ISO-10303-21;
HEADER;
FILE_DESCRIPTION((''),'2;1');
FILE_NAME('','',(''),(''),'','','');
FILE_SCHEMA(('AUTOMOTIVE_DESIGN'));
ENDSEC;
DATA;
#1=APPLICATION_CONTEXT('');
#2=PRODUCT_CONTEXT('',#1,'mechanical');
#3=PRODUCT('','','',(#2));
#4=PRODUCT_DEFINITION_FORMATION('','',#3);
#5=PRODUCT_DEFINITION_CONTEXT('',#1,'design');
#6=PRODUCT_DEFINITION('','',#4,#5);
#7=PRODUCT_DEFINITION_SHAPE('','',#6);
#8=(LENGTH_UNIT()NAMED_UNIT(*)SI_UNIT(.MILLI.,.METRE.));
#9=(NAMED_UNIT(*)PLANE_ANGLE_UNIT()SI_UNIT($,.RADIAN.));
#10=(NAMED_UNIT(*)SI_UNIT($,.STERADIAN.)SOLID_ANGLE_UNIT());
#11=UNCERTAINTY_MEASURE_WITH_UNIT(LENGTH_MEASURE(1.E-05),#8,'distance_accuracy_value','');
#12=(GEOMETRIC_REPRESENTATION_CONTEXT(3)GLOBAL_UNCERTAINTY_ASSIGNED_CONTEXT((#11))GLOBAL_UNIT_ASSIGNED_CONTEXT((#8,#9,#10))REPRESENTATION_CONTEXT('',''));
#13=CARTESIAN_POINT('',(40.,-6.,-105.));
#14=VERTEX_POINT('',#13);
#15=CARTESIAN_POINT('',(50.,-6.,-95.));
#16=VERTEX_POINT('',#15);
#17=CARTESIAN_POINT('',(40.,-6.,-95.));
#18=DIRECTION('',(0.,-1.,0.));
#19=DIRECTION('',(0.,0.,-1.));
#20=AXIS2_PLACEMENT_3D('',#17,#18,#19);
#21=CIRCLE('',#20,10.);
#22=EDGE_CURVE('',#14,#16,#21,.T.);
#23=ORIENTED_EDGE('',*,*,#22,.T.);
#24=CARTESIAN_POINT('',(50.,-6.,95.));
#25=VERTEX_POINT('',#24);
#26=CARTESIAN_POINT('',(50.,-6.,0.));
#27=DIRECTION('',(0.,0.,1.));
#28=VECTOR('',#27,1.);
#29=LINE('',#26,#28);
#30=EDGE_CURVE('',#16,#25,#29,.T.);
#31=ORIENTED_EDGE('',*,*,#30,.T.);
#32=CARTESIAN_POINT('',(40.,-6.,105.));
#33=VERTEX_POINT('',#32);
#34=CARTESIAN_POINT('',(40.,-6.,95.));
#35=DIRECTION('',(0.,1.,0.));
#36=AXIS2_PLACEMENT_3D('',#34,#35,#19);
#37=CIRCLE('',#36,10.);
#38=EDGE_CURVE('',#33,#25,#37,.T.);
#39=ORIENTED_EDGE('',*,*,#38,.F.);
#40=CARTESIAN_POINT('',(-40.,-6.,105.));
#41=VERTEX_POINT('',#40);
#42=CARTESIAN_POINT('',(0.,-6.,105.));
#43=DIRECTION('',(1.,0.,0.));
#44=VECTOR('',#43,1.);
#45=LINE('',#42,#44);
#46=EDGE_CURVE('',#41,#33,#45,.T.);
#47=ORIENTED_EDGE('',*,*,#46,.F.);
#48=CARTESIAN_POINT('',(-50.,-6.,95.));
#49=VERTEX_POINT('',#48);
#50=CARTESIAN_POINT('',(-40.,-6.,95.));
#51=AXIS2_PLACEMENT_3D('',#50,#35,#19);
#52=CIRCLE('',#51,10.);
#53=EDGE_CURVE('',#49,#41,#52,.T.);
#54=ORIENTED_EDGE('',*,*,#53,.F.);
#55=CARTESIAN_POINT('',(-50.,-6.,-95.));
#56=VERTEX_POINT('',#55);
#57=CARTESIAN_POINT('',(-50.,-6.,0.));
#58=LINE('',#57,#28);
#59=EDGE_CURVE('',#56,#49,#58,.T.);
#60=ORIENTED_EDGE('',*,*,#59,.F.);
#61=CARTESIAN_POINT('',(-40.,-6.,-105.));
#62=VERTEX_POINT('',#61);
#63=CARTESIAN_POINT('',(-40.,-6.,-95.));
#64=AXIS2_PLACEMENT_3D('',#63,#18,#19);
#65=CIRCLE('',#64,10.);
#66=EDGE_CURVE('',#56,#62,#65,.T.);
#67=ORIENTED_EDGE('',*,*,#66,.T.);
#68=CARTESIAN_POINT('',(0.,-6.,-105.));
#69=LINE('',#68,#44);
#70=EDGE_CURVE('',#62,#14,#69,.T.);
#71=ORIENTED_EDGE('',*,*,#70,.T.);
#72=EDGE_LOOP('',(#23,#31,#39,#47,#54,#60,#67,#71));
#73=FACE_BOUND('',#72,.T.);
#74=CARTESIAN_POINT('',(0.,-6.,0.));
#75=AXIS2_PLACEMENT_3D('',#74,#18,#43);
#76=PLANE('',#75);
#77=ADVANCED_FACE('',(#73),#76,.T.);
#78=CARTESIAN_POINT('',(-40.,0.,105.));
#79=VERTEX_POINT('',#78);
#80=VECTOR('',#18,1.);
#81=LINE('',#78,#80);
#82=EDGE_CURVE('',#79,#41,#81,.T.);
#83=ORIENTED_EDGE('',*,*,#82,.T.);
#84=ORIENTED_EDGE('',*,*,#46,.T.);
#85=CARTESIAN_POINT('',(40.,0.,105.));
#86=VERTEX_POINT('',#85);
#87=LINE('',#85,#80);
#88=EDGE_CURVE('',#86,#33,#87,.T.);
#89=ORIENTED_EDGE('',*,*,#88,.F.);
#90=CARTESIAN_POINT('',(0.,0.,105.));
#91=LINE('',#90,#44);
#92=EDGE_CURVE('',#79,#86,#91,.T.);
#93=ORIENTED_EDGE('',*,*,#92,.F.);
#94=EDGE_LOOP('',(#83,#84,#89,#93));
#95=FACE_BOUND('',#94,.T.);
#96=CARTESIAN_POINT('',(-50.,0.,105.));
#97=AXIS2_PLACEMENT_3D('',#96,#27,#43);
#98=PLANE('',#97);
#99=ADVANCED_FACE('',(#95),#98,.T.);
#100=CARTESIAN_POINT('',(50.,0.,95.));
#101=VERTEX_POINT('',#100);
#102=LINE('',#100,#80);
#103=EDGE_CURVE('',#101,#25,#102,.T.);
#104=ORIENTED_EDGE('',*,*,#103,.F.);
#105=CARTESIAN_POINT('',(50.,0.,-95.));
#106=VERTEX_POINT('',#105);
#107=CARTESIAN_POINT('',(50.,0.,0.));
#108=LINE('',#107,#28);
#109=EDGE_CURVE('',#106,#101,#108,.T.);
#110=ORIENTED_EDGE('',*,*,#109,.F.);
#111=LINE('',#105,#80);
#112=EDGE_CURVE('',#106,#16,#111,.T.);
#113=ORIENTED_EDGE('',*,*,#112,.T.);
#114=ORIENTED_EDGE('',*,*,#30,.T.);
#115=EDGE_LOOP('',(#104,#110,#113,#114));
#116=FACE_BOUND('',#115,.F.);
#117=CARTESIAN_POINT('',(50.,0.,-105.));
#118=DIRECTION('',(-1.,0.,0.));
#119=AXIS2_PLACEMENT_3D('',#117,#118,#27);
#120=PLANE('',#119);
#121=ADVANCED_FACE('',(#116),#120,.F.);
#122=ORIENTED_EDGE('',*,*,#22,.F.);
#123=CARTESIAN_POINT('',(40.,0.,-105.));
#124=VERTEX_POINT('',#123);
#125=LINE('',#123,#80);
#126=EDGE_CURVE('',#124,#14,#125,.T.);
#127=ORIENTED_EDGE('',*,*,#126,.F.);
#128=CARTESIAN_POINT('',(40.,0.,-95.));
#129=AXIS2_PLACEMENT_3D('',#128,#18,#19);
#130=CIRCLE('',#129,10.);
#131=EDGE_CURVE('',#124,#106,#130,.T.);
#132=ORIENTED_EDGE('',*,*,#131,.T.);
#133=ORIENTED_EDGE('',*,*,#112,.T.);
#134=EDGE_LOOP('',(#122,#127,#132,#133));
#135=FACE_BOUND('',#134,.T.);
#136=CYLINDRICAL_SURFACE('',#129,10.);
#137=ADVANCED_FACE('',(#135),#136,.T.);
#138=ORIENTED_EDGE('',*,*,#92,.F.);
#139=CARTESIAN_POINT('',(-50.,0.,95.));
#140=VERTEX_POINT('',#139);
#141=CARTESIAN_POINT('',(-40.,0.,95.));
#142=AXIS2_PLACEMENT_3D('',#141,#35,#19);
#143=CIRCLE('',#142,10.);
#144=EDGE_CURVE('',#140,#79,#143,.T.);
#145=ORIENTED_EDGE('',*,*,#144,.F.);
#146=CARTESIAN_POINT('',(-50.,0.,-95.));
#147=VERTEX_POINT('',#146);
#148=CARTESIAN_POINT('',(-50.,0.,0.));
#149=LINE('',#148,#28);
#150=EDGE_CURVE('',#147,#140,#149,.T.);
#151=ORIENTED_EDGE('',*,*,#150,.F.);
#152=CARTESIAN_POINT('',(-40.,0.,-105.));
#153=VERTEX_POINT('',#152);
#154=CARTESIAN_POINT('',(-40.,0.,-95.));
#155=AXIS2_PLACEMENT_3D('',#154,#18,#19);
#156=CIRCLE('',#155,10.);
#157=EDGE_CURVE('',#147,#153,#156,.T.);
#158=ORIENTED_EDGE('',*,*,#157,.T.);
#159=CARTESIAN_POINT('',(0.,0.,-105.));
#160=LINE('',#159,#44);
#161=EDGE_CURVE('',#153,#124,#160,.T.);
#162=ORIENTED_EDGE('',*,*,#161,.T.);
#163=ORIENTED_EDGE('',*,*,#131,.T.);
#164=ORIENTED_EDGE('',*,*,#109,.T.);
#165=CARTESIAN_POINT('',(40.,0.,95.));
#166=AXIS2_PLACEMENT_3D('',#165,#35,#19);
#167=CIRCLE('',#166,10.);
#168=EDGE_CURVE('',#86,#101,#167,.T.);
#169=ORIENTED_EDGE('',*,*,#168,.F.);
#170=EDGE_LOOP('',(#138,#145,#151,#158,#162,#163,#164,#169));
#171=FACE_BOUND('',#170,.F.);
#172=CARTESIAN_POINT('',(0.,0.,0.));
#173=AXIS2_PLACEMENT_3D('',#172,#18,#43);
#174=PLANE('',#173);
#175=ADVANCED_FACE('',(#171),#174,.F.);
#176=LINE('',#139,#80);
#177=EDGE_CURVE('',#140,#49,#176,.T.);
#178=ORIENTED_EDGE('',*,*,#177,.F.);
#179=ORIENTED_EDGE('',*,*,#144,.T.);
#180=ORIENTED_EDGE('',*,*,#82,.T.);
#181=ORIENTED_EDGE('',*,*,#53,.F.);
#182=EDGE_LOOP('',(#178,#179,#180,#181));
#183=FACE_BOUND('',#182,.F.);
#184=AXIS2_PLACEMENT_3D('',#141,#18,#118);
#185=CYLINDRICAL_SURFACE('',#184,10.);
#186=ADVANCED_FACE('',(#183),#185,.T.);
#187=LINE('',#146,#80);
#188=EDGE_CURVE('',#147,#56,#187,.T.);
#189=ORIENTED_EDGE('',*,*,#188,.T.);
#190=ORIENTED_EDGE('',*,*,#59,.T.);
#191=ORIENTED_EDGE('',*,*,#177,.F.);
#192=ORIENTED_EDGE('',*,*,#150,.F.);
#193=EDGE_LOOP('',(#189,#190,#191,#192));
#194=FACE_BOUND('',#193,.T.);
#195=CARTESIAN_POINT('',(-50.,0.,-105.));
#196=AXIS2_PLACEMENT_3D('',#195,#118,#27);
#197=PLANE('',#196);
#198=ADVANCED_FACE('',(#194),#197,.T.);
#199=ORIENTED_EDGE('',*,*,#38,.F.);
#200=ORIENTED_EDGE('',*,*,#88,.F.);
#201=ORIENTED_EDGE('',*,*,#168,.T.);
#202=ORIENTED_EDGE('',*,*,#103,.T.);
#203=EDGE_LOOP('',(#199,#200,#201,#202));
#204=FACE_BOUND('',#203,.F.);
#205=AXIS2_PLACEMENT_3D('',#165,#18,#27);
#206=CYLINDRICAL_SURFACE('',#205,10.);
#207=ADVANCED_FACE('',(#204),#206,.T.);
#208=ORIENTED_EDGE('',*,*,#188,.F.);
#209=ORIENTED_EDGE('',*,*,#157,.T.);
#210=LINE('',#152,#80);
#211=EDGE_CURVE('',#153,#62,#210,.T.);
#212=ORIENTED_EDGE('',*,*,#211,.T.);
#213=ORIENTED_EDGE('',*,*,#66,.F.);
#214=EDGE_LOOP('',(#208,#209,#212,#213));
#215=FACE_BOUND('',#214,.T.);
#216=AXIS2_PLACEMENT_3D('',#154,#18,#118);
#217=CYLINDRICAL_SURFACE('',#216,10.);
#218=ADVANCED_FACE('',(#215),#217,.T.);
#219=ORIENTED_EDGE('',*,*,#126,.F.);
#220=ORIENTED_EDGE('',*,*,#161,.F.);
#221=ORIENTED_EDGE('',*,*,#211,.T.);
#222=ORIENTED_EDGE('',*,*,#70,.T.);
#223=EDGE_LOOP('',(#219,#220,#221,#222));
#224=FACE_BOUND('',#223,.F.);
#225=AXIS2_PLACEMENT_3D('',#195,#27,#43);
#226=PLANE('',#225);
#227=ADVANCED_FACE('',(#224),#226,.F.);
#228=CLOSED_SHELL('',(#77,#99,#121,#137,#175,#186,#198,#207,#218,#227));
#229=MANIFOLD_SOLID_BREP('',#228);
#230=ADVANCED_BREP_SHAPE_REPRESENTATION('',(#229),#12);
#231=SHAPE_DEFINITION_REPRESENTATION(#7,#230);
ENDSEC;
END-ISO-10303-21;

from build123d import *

# Parameters (mm, degrees)
F0_W     = 100
F0_H     = 210
F1_DEPTH = 6
F2_R     = 10
F3_R     = 10


with BuildPart() as f1:
    # F0 (on Front) → F1 (new body)
    with BuildSketch(Plane.XZ):
        Rectangle(F0_W, F0_H)
    extrude(amount=F1_DEPTH)

    # F2
    f2_edges = [f1.edges().sort_by_distance(p)[0] for p in [
        (-50, -3, -105),
        (50, -3, -105),
    ]]
    fillet(f2_edges, radius=F2_R)

    # F3
    f3_edges = [f1.edges().sort_by_distance(p)[0] for p in [
        (-50, -3, 105),
        (50, -3, 105),
    ]]
    fillet(f3_edges, radius=F3_R)


solid = f1.part
